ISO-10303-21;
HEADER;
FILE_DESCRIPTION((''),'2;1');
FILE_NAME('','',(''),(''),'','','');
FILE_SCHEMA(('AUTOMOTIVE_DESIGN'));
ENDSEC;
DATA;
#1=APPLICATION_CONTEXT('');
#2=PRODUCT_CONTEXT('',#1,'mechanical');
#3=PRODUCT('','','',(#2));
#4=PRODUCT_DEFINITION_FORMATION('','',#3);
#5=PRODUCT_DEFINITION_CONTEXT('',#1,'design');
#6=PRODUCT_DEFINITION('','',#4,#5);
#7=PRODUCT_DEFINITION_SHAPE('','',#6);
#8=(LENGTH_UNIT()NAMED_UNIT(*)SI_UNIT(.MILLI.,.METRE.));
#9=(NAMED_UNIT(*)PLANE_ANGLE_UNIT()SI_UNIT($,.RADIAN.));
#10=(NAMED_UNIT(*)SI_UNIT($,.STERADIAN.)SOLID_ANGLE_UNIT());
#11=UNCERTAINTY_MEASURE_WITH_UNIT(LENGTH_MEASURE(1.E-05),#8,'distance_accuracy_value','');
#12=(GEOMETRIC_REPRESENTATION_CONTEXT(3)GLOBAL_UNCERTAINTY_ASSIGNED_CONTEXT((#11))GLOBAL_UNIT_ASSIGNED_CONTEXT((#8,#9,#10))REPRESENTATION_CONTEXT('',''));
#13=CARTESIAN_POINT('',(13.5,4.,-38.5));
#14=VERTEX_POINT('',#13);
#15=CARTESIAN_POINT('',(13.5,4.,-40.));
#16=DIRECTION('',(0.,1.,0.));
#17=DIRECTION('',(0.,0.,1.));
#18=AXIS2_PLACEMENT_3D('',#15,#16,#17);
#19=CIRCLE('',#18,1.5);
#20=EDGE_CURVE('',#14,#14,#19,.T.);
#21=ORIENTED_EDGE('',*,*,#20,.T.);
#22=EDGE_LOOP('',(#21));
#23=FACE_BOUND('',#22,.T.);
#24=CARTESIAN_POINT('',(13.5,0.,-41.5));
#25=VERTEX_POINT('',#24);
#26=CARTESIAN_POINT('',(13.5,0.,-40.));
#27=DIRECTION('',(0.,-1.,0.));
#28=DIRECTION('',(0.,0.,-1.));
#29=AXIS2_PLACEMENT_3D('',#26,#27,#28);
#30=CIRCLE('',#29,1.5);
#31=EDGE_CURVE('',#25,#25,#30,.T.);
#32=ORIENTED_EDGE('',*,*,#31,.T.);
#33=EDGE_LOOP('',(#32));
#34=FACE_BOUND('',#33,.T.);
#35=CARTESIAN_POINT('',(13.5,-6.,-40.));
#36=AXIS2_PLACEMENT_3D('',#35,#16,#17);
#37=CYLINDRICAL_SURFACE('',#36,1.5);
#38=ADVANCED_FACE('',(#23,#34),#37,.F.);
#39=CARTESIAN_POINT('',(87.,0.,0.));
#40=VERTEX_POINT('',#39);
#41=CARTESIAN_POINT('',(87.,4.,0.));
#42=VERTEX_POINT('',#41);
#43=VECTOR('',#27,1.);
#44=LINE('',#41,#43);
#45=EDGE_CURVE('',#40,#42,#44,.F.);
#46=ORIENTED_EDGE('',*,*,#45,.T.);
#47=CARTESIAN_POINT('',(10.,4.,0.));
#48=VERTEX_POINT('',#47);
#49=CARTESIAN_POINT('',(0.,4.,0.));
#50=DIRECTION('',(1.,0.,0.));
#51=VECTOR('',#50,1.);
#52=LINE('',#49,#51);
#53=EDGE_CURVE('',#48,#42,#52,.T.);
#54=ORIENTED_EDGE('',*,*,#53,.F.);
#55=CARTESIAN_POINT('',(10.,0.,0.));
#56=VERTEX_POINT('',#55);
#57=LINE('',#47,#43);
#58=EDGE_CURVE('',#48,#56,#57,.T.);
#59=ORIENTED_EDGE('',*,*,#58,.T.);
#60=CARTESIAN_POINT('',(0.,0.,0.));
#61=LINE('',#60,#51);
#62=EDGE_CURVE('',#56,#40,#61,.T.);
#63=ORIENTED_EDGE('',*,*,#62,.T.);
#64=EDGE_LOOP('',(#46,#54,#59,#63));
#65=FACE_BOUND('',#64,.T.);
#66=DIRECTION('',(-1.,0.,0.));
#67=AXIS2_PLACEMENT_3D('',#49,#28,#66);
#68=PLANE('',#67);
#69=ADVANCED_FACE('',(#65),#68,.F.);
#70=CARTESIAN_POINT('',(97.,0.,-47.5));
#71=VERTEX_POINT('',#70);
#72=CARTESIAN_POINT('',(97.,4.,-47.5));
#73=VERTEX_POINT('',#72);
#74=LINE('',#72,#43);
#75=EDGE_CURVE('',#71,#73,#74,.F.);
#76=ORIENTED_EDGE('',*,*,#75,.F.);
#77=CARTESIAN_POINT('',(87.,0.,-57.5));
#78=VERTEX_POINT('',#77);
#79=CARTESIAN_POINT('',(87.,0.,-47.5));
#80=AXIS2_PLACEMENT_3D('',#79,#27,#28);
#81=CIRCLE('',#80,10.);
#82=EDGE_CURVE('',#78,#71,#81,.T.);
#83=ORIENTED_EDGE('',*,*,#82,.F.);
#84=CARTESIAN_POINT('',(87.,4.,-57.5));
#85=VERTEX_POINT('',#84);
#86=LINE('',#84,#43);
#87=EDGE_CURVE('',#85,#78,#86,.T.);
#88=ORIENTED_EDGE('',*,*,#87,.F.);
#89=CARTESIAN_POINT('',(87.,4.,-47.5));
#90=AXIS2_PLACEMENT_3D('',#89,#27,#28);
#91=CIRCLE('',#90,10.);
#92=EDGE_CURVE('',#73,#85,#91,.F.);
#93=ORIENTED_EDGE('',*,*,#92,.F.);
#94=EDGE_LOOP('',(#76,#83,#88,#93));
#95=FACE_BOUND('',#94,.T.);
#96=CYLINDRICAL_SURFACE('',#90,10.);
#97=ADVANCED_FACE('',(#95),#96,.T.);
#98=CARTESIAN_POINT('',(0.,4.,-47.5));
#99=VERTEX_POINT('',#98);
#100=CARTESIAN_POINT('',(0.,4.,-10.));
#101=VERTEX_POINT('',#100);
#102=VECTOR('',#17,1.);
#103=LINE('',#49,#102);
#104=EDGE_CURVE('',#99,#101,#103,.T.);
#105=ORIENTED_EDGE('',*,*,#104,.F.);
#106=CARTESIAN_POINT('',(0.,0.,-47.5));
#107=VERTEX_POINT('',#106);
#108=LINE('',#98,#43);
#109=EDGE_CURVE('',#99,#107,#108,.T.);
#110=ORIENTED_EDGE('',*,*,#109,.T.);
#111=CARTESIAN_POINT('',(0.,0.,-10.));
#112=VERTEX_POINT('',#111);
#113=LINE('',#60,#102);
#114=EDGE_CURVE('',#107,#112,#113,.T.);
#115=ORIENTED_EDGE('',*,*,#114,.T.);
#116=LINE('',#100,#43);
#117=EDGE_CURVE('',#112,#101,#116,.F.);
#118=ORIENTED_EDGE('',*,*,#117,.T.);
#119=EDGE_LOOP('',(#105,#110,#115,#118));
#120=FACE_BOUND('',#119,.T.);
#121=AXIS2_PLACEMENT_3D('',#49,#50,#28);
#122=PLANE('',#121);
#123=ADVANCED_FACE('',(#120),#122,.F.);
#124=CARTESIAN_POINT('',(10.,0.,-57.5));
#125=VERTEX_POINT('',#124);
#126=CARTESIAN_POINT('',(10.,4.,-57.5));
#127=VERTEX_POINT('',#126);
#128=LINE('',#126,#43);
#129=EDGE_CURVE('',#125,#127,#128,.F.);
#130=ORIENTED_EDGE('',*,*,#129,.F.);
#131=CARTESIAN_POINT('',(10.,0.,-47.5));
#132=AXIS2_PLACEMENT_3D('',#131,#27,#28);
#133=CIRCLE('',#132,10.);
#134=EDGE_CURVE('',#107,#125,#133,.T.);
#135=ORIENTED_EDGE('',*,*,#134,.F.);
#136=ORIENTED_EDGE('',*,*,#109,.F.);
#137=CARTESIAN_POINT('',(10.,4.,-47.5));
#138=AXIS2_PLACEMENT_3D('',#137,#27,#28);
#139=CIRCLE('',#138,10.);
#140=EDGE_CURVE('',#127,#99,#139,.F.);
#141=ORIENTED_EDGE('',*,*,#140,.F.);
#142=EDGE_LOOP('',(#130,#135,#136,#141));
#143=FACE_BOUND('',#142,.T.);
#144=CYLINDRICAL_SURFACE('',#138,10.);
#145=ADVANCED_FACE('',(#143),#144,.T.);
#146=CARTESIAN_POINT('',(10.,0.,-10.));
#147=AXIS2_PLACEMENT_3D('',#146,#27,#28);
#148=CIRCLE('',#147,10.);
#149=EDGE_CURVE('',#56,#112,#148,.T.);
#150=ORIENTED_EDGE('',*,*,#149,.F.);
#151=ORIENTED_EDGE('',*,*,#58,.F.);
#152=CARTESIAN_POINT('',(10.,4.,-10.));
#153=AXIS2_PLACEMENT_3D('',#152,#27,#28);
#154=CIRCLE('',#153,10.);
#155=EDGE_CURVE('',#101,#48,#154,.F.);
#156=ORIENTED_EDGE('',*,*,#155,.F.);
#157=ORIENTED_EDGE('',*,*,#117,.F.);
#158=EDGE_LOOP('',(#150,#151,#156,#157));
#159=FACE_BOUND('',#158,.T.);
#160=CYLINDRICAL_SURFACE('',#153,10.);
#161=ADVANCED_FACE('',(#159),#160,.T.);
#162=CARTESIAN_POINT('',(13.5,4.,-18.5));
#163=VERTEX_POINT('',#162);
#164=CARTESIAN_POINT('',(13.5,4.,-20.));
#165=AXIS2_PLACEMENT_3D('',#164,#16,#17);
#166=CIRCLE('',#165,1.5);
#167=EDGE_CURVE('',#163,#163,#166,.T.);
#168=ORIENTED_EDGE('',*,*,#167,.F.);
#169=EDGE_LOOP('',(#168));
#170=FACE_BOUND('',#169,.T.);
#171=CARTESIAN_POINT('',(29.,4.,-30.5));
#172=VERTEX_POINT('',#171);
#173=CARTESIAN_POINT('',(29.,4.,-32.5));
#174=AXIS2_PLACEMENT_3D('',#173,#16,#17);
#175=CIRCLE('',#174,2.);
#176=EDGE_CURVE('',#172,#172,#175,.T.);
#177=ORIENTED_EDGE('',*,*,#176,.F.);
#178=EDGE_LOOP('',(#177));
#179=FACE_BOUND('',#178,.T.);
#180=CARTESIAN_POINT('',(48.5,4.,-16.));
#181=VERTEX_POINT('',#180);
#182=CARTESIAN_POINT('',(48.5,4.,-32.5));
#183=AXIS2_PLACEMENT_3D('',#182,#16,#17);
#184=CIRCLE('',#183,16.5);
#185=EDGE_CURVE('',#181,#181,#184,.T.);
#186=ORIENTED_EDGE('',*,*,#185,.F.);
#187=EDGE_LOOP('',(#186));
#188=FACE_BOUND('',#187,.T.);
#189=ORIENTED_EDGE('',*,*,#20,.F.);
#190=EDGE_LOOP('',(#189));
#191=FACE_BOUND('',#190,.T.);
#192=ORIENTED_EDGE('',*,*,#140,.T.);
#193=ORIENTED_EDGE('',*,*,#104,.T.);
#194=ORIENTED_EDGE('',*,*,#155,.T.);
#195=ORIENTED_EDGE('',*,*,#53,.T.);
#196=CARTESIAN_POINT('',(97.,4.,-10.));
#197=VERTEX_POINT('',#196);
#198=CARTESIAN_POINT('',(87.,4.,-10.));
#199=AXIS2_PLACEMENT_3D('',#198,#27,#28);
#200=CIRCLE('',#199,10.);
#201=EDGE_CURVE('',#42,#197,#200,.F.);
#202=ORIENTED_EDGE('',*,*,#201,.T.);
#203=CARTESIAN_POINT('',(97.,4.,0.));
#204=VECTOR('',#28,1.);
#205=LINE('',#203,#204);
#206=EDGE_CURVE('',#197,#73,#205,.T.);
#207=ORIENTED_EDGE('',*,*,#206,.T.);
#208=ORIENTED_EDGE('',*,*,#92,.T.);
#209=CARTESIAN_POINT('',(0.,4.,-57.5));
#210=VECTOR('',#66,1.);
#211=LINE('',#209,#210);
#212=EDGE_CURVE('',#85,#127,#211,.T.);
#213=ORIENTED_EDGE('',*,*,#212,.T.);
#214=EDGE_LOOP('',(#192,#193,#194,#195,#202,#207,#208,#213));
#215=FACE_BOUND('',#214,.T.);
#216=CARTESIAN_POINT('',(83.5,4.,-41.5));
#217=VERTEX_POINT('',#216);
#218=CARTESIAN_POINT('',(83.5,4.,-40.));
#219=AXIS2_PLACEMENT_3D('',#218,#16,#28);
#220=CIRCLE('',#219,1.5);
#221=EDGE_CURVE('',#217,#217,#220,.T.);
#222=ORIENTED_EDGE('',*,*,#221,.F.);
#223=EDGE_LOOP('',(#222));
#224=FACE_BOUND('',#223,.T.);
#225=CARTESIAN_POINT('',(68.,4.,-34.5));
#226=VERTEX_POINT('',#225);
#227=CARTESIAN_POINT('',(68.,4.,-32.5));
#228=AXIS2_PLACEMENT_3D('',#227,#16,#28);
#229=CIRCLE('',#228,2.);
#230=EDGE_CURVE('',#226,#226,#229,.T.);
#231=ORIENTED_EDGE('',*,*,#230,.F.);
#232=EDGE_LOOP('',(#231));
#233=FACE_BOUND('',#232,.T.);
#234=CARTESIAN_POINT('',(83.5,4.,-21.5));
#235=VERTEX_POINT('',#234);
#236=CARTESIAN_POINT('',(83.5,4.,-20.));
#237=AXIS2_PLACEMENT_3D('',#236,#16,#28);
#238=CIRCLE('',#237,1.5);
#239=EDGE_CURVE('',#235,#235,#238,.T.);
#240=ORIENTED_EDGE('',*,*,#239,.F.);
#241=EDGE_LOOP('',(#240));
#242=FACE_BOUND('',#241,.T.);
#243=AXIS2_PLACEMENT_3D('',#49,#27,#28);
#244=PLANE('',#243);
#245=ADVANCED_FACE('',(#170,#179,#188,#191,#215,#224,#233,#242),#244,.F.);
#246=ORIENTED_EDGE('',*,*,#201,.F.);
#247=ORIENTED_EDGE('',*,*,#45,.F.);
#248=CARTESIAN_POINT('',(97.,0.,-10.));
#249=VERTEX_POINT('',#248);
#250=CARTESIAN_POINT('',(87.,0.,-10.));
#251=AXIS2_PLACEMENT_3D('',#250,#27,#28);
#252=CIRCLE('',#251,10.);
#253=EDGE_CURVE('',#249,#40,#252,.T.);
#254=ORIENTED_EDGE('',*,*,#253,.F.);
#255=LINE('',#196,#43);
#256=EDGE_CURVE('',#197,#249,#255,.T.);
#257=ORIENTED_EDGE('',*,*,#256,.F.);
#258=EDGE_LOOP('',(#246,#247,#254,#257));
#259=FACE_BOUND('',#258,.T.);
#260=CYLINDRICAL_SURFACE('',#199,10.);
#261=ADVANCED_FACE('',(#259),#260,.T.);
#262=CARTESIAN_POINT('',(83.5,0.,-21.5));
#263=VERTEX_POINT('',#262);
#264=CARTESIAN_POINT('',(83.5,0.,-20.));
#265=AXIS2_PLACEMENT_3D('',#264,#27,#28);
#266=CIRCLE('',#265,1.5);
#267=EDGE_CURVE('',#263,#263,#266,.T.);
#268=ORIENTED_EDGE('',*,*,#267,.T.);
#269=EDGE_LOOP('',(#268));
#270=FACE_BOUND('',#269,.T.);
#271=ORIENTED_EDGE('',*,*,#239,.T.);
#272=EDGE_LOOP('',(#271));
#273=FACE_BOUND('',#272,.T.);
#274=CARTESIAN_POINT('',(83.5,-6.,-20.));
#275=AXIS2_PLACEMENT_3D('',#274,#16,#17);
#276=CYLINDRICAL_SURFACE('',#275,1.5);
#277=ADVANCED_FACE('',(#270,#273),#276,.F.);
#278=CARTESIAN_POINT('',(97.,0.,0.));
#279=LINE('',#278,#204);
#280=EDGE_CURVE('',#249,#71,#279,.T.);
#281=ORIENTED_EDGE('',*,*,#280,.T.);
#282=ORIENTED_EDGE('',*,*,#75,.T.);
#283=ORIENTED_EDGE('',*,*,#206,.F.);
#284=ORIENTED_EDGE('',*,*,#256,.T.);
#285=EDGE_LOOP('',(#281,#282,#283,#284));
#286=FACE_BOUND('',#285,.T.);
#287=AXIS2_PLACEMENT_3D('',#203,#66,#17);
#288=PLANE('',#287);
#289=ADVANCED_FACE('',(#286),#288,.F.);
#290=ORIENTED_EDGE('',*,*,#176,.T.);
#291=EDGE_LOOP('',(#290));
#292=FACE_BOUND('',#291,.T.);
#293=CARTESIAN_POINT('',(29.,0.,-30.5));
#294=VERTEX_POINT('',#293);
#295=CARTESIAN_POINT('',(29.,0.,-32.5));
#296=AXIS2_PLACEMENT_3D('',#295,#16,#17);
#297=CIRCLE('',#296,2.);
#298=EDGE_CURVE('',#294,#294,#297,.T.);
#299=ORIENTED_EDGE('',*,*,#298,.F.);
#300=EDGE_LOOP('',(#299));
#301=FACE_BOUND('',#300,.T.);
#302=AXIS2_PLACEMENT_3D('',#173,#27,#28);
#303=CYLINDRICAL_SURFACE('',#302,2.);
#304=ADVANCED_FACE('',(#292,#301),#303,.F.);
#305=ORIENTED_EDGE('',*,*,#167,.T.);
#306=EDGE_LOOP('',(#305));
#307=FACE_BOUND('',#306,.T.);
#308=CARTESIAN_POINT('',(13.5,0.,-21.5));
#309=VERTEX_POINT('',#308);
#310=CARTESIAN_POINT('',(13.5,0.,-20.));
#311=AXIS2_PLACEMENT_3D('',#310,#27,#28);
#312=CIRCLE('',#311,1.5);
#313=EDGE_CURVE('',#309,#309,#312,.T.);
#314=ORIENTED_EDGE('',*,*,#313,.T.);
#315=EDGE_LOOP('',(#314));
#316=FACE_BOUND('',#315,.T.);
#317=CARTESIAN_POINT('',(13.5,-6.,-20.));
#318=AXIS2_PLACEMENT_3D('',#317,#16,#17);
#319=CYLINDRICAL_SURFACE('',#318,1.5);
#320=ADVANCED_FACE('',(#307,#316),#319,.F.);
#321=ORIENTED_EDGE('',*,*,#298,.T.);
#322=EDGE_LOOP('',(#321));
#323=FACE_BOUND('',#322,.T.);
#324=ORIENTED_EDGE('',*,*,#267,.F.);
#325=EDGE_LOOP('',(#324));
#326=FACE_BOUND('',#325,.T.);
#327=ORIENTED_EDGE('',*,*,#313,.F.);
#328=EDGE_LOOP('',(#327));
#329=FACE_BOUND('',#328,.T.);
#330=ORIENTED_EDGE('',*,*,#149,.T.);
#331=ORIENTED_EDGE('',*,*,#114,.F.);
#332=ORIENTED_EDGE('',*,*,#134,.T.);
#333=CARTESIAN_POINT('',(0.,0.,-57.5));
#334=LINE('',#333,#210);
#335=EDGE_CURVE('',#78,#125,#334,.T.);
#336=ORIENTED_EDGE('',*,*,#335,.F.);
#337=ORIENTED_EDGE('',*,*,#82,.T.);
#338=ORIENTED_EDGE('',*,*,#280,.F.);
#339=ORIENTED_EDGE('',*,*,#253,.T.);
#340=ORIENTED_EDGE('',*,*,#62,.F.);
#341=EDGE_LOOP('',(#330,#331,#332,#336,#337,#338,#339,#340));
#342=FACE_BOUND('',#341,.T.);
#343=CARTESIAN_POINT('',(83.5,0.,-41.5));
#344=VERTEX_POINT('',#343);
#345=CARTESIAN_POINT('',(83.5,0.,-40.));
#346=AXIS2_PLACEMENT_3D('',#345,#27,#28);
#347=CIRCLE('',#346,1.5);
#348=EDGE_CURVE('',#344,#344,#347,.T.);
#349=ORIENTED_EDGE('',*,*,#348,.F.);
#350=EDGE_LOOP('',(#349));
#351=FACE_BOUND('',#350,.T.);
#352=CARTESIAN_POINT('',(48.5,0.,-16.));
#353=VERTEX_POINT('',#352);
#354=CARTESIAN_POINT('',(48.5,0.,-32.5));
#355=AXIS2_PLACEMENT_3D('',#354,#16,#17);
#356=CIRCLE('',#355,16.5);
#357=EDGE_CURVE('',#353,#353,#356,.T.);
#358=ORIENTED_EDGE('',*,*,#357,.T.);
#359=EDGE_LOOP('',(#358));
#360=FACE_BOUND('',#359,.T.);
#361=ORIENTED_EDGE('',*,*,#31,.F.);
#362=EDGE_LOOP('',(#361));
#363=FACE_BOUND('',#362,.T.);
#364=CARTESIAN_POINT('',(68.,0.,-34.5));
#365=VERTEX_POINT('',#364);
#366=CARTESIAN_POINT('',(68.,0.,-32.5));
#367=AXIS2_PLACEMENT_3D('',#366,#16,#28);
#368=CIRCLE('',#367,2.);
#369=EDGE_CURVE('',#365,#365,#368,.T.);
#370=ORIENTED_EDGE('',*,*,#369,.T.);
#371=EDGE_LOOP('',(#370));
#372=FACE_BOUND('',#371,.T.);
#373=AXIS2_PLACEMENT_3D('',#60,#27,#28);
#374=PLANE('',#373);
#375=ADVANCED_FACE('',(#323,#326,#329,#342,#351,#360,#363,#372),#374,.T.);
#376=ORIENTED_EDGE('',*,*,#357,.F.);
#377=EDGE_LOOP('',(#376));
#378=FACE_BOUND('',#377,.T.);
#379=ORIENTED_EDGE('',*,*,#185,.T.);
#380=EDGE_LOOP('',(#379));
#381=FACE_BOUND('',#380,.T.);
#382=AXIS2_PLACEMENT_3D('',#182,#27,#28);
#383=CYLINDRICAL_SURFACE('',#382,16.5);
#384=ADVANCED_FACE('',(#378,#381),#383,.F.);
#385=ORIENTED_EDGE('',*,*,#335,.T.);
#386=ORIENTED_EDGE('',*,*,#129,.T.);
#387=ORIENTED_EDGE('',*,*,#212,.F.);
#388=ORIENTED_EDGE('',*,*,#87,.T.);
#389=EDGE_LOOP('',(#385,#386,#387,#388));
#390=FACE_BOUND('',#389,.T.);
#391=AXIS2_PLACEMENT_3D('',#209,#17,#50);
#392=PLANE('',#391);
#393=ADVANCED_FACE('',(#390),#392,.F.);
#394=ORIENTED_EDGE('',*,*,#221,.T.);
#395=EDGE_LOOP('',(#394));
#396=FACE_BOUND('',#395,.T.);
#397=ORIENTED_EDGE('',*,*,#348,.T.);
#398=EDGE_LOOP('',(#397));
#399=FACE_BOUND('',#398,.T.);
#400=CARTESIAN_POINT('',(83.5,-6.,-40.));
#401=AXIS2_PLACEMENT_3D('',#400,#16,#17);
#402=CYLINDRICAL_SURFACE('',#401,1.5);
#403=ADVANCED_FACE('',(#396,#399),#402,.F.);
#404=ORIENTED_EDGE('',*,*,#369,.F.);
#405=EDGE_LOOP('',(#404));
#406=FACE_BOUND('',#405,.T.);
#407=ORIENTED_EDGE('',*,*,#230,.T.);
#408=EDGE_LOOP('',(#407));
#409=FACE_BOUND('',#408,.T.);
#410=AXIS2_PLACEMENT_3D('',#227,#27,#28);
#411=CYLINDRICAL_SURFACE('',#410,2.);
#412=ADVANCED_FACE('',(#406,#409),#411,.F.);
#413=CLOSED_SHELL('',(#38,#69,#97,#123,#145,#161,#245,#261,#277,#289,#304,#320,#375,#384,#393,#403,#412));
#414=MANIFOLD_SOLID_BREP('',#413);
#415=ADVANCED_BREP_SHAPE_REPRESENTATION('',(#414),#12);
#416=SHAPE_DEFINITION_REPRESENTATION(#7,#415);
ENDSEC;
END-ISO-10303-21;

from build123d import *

# Parameters (mm, degrees)
SKETCH_1_W          = 97
SKETCH_1_H          = 57.5
SKETCH_1_R          = 16.5
SKETCH_1_R_2        = 2
EXTRUDE_1_DEPTH     = 4
FILLET_1_R          = 10
SKETCH_2_R          = 1.5
CUT_EXTRUDE_1_DEPTH = 10


with BuildPart() as part:
    # Эскиз1 → Бобышка-Вытянуть1 (new body)
    with BuildSketch(Plane(origin=(0, 0, 0), x_dir=(1, 0, 0), z_dir=(0, 1, 0))):
        with Locations((48.5, 28.75)):
            Rectangle(SKETCH_1_W, SKETCH_1_H)
        with Locations(Location((48.5, 32.5, 0), (0, 0, 270))):
            Circle(SKETCH_1_R, mode=Mode.SUBTRACT)
        with Locations(Location((29, 32.5, 0), (0, 0, 270))):
            Circle(SKETCH_1_R_2, mode=Mode.SUBTRACT)
        with Locations(Location((68, 32.5, 0), (0, 0, 90))):
            Circle(SKETCH_1_R_2, mode=Mode.SUBTRACT)
    extrude(amount=EXTRUDE_1_DEPTH)

    # Скругление1
    fillet_1_edges = [part.edges().sort_by_distance(p)[0] for p in [
        (0, 2, -57.5),
        (97, 2, -57.5),
        (97, 2, 0),
        (0, 2, 0),
    ]]
    fillet(fillet_1_edges, radius=FILLET_1_R)

    # Эскиз2 → Вырез-Вытянуть1 (cut)
    with BuildSketch(Plane(origin=(0, 4, 0), x_dir=(1, 0, 0), z_dir=(0, 1, 0))):
        with Locations(Location((13.5, 20, 0), (0, 0, 270))):
            Circle(SKETCH_2_R)
        with Locations(Location((13.5, 40, 0), (0, 0, 270))):
            Circle(SKETCH_2_R)
        with Locations(Location((83.5, 40, 0), (0, 0, 90))):
            Circle(SKETCH_2_R)
        with Locations(Location((83.5, 20, 0), (0, 0, 90))):
            Circle(SKETCH_2_R)
    extrude(amount=-CUT_EXTRUDE_1_DEPTH, mode=Mode.SUBTRACT)


solid = part.part
